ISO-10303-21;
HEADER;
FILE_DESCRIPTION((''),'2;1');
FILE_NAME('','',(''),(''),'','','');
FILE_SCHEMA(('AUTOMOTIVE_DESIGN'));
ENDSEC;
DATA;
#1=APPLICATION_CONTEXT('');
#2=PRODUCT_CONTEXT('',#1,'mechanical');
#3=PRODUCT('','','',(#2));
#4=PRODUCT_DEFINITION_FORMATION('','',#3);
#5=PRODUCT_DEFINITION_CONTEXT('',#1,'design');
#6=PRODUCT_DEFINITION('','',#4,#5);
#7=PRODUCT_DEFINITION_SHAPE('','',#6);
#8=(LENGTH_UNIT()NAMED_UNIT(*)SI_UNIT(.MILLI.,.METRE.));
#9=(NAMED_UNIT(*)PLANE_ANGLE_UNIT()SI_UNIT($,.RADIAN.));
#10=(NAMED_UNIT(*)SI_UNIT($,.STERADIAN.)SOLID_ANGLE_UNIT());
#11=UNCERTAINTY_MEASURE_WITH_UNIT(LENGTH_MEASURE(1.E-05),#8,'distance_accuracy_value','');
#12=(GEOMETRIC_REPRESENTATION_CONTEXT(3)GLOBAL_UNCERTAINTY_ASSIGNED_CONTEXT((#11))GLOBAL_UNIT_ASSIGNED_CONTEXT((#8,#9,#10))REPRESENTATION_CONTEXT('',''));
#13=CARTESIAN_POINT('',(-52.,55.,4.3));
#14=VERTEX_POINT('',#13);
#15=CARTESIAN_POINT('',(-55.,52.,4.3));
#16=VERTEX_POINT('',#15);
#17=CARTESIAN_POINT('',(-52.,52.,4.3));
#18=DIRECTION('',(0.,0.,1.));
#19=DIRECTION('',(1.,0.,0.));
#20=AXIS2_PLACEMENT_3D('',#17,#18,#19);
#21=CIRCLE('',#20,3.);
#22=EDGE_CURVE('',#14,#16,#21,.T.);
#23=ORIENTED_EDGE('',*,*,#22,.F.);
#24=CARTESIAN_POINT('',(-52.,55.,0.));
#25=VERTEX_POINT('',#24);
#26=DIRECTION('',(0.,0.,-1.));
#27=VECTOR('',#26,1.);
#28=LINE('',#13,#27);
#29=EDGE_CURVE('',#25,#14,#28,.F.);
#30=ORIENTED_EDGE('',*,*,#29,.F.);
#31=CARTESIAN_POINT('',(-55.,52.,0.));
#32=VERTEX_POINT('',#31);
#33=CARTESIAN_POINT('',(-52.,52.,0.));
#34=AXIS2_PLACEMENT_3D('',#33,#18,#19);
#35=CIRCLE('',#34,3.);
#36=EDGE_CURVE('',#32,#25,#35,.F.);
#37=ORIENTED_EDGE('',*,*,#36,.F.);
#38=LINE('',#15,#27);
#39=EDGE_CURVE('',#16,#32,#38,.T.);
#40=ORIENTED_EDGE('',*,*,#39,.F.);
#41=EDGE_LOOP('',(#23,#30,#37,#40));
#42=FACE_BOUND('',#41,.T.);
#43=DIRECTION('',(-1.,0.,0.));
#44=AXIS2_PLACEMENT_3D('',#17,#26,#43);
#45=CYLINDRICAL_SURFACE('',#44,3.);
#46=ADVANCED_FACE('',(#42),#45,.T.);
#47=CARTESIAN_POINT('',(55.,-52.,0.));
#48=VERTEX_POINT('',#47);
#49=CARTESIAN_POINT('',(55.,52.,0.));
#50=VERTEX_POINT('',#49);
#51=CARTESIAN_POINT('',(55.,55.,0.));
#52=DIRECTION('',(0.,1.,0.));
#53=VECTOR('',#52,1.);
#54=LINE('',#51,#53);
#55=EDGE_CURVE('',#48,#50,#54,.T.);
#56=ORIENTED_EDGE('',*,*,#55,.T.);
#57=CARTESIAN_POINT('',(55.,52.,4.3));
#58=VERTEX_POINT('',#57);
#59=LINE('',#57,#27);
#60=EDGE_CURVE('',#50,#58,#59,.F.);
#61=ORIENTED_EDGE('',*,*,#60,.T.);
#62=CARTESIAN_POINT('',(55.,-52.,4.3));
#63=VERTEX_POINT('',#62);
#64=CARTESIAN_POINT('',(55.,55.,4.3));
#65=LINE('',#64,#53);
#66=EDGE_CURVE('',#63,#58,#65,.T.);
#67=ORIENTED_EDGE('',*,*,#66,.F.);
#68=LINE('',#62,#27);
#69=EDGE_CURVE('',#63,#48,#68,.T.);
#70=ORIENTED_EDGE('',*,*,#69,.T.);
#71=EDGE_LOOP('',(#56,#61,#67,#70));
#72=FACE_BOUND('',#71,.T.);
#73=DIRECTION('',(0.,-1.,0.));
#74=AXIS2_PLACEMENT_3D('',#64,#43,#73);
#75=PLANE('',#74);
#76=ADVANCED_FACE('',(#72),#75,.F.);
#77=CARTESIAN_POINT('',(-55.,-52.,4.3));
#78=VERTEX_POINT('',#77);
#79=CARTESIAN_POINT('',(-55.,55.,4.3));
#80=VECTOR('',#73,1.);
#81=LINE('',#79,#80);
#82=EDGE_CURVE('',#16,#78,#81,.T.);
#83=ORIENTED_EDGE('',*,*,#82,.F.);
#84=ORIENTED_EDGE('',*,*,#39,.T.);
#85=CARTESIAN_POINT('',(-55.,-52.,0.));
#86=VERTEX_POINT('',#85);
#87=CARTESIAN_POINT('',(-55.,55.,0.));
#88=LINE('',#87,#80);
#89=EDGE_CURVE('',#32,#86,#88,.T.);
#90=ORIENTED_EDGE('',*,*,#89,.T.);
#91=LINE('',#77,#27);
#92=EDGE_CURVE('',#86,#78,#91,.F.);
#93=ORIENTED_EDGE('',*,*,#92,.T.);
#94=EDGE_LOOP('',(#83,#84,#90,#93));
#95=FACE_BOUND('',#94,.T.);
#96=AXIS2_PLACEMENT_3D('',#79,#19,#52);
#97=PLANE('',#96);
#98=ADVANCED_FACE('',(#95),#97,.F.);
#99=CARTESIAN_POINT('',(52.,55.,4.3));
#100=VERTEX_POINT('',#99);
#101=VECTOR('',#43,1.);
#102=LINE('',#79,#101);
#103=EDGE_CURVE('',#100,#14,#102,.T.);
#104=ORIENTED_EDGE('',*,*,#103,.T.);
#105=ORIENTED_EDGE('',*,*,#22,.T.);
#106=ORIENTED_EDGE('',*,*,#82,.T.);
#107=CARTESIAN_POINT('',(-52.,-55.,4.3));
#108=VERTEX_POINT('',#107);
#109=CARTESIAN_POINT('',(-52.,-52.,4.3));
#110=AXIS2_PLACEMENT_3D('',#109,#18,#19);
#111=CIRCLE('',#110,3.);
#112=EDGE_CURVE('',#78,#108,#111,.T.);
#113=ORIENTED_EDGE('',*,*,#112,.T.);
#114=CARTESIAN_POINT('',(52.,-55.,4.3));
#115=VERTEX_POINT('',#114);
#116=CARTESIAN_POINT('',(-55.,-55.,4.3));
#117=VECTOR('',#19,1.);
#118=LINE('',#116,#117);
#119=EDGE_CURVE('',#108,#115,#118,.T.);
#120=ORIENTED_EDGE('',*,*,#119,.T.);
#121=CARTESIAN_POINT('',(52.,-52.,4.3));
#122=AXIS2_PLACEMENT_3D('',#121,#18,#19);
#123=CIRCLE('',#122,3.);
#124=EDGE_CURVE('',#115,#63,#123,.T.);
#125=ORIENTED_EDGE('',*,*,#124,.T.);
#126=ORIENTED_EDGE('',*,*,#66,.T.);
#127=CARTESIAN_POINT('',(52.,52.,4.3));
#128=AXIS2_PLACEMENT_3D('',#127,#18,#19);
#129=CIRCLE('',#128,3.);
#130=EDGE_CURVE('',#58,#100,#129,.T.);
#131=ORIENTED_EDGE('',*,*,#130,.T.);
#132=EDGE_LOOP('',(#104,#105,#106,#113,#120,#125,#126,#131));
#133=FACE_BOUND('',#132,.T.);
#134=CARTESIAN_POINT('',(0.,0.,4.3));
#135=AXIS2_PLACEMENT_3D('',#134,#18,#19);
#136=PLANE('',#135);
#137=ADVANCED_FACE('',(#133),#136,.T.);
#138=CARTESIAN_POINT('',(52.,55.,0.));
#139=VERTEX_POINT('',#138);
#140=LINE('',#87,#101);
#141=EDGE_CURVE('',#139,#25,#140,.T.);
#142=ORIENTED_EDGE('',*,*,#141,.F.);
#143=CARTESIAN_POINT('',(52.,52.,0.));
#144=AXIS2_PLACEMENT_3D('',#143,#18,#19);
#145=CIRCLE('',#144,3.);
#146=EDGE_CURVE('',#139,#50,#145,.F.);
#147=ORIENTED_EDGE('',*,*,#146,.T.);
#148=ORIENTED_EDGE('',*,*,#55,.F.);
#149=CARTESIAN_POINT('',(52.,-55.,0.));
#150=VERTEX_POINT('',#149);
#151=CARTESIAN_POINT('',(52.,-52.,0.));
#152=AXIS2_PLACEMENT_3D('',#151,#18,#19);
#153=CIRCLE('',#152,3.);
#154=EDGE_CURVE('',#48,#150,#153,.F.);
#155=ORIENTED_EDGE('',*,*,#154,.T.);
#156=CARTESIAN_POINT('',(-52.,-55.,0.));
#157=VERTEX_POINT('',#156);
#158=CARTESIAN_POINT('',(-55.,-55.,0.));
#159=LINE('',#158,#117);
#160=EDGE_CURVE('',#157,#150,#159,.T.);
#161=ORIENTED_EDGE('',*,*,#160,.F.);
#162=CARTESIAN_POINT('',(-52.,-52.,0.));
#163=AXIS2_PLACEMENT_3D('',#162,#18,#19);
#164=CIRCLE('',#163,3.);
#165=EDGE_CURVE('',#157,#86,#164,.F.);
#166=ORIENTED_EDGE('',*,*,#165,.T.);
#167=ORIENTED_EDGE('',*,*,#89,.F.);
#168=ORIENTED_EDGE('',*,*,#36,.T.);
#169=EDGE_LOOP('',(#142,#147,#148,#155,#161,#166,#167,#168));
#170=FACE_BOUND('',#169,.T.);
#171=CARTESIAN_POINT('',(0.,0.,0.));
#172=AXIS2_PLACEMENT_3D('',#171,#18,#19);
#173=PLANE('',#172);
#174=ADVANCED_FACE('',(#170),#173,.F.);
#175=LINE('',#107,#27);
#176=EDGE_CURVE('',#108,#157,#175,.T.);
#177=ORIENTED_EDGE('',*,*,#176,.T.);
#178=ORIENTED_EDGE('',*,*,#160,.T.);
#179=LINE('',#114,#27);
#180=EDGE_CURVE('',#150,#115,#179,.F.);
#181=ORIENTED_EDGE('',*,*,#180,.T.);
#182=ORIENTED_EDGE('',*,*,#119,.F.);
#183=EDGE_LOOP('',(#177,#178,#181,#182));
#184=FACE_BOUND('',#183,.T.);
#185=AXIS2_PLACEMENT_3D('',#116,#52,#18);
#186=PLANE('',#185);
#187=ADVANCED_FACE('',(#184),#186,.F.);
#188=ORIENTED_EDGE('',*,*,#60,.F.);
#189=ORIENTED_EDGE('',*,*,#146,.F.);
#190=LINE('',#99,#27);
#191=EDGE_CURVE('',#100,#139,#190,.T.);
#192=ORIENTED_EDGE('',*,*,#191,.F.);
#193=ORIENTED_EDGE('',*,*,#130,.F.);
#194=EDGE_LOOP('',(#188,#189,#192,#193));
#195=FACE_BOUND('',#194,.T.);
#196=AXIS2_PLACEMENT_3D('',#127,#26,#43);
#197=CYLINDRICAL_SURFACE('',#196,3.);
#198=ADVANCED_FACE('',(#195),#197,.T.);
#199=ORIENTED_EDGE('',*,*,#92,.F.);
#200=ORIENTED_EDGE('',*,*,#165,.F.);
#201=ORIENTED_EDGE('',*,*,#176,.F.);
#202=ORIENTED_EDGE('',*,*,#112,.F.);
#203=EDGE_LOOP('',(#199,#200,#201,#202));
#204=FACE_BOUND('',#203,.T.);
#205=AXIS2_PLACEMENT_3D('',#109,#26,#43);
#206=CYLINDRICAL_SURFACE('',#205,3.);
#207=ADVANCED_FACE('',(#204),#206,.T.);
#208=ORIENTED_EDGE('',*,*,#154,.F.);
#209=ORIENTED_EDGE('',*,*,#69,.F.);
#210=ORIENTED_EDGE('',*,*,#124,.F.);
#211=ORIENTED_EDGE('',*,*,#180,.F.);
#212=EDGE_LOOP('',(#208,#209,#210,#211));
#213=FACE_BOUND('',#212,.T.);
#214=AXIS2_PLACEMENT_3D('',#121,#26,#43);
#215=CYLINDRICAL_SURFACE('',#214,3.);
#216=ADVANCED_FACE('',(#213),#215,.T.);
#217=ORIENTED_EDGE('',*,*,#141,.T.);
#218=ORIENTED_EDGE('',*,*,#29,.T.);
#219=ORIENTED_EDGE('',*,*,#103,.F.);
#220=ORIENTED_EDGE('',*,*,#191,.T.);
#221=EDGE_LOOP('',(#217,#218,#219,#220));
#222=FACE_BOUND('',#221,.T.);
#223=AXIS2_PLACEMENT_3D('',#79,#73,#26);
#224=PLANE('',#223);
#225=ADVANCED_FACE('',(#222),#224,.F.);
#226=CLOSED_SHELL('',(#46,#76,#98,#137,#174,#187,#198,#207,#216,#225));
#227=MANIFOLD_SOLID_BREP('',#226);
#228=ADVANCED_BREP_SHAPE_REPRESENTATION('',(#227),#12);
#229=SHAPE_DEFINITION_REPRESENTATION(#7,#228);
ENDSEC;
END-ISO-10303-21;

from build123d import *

# Parameters (mm, degrees)
SKETCH_1_W      = 110
SKETCH_1_H      = 110
EXTRUDE_1_DEPTH = 4.3
FILLET_1_R      = 3


with BuildPart() as part:
    # 草图1 → 凸台-拉伸1 (new body)
    with BuildSketch(Plane.XY):
        Rectangle(SKETCH_1_W, SKETCH_1_H)
    extrude(amount=EXTRUDE_1_DEPTH)

    # 圆角1
    fillet_1_edges = [part.edges().sort_by_distance(p)[0] for p in [
        (55, -55, 2.15),
        (-55, -55, 2.15),
        (-55, 55, 2.15),
        (55, 55, 2.15),
    ]]
    fillet(fillet_1_edges, radius=FILLET_1_R)


solid = part.part
